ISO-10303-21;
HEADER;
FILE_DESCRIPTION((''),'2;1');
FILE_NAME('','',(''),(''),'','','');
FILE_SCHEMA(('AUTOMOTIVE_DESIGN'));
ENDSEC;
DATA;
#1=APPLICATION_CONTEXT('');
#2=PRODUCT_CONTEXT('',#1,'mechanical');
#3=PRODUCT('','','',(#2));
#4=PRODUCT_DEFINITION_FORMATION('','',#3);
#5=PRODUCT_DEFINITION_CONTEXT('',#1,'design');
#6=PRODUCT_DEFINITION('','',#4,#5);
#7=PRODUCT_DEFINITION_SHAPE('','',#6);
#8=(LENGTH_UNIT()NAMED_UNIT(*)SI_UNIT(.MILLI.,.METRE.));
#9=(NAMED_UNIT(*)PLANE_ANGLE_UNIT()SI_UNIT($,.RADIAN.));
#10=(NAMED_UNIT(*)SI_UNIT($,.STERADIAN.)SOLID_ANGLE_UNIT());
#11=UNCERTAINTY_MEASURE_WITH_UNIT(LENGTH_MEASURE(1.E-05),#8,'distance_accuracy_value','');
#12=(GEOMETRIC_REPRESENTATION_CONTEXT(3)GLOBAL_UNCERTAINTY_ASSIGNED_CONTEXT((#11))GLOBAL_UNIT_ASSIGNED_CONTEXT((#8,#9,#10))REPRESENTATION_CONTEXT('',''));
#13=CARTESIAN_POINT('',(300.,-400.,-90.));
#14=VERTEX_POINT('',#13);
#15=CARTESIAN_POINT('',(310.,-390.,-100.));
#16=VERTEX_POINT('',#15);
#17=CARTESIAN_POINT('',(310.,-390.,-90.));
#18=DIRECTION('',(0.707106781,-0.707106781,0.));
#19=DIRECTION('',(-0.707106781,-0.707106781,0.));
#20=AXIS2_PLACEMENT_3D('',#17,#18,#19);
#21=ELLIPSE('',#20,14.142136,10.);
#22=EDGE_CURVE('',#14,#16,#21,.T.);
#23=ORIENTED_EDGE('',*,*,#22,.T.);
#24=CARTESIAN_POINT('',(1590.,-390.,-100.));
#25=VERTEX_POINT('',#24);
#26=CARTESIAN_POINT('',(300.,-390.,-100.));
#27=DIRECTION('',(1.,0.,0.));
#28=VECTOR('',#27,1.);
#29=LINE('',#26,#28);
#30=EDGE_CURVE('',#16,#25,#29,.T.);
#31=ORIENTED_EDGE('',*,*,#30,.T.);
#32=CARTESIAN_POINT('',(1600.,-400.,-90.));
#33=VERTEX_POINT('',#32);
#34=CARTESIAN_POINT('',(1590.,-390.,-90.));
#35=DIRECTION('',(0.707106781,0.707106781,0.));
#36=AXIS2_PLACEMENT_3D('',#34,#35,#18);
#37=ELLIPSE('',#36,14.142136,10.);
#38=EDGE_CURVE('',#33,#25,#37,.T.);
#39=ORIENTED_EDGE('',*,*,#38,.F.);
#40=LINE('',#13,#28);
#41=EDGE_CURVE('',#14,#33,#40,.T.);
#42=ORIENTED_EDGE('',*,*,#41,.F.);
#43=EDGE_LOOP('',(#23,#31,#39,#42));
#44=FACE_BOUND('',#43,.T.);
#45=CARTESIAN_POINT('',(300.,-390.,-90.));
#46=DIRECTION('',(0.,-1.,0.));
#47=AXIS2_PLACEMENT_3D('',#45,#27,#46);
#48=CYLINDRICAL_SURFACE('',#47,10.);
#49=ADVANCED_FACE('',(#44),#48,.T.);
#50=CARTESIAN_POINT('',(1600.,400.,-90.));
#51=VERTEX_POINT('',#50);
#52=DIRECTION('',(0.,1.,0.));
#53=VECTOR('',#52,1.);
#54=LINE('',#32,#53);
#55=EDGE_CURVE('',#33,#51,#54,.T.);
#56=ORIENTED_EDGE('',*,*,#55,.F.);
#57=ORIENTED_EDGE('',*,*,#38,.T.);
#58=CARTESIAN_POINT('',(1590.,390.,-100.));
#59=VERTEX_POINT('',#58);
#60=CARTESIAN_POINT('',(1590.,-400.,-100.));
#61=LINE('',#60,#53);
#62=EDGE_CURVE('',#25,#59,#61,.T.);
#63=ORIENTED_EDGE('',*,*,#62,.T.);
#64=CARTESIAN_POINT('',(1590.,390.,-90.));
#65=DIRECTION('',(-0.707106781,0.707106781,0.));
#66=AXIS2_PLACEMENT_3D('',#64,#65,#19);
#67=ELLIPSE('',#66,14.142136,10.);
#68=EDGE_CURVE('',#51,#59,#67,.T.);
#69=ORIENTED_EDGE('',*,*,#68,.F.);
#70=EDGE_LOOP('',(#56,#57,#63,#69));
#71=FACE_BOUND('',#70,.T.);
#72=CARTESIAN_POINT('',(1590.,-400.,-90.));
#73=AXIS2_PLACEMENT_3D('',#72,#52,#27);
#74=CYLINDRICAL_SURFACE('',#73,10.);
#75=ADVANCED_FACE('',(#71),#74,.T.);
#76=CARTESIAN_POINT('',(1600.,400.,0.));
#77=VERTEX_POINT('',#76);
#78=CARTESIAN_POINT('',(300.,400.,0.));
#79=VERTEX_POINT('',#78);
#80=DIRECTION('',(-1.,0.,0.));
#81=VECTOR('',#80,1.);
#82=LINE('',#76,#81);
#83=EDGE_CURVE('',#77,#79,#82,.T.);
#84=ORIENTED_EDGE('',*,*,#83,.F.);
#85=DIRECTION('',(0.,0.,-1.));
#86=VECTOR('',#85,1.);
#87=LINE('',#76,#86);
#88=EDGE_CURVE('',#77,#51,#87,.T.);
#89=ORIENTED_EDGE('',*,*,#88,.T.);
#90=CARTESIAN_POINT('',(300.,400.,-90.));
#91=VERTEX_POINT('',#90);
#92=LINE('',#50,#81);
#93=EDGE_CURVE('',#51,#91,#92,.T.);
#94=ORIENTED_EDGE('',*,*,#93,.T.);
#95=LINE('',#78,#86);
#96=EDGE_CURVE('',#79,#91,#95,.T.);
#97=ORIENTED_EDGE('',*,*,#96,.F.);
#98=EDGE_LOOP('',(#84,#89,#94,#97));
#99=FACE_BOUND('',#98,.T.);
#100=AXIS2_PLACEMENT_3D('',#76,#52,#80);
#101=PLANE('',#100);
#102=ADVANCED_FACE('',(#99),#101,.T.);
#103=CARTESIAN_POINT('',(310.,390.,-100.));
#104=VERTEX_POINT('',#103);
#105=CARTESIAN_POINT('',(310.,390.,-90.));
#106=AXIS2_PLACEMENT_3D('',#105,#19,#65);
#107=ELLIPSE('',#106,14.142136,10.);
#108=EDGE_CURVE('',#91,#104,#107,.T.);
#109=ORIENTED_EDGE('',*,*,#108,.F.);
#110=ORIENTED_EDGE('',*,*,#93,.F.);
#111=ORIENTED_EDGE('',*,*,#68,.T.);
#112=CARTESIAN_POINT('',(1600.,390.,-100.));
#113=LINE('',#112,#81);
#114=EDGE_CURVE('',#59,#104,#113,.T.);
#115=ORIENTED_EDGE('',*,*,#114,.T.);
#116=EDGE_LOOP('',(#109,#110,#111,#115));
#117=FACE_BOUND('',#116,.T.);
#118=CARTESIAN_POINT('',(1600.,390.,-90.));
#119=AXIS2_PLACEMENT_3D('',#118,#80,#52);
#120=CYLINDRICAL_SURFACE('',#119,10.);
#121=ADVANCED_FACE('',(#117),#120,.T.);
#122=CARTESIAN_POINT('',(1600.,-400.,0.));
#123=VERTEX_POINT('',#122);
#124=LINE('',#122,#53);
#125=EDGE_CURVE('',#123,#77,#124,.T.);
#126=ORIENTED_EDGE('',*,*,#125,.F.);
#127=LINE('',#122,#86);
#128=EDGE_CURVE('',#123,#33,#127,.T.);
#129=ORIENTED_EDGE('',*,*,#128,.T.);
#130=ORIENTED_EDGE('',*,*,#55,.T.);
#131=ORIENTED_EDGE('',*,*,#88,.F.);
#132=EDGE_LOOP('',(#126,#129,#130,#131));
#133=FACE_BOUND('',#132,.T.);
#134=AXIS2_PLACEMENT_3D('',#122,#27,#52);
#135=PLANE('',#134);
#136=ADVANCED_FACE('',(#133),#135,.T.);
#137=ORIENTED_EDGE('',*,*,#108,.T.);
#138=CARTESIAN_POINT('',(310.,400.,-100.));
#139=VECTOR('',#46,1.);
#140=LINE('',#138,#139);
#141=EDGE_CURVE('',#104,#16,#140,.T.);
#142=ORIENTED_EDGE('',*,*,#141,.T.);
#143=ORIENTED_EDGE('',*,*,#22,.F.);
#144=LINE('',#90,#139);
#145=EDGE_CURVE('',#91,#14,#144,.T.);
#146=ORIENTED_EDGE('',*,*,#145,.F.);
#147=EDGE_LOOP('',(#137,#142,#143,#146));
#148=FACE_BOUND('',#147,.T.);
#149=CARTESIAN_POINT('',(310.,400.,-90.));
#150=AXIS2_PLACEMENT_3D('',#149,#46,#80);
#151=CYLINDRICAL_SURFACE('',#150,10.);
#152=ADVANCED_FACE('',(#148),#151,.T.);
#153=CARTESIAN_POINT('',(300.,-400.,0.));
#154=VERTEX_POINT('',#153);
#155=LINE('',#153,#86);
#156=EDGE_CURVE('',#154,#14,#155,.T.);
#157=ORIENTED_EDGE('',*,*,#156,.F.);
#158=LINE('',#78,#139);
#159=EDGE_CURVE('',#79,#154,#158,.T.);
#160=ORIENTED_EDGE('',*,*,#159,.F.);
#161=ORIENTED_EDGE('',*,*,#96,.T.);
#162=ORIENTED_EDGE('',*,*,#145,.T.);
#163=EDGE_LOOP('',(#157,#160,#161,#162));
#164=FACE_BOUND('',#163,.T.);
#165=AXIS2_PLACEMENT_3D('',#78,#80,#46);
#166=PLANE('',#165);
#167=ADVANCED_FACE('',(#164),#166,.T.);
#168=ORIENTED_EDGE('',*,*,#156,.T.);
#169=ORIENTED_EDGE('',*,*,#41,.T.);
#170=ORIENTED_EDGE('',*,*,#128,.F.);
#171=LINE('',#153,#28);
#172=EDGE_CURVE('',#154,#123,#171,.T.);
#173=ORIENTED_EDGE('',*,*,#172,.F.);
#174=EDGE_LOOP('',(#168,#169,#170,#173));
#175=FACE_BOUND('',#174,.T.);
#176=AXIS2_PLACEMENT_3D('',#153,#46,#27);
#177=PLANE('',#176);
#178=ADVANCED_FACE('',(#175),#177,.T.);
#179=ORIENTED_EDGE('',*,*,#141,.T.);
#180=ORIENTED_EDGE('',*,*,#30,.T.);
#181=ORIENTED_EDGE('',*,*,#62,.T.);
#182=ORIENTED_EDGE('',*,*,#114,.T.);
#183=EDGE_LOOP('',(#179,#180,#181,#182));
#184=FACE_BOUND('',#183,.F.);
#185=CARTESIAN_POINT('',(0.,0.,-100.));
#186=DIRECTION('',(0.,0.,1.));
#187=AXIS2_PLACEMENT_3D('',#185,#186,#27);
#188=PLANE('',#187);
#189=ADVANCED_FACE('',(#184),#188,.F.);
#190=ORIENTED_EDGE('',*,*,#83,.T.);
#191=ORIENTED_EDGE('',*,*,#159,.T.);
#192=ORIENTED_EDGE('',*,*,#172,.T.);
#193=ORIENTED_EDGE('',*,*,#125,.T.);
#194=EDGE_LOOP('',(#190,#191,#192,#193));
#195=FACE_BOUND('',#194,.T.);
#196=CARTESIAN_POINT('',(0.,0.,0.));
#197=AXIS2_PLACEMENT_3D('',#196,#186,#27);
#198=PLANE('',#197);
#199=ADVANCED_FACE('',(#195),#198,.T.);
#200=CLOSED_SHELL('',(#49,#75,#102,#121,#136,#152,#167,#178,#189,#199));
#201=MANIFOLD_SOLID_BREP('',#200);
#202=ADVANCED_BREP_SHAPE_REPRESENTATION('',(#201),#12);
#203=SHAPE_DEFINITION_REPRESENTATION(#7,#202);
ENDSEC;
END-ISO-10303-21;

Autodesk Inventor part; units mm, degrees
ref_plane "YZ Plane" through (0, 0, 0) normal (1, 0, 0) x (0, 1, 0)
ref_plane "XZ Plane" through (0, 0, 0) normal (0, 1, 0) x (-1, 0, 0)
ref_plane "XY Plane" through (0, 0, 0) normal (0, 0, 1) x (1, 0, 0)
sketch "草圖1" plane through (0, 0, 0) normal (0, 0, 1) x (1, 0, 0)
  line L0 (1600, 400) -> (300, 400)
  line L1 (300, 400) -> (300, -400)
  line L2 (300, -400) -> (1600, -400)
  line L3 (1600, -400) -> (1600, 400)
  line L4 (1600, 400) -> (300, -400) construction
  line L5 (300, 400) -> (1600, -400) construction
  point P0 (0, 0)
  point P1 (950, 0)
  dimension "d1" = 1300
  dimension "d2" = 800
extrude "擠出1" add sketch "草圖1" against normal blind 100
fillet "圓角1" radius 10 4 edges at (950, 400, -100) (300, 0, -100) (950, -400, -100) (1600, 0, -100)
properties part number "Mattress2"
